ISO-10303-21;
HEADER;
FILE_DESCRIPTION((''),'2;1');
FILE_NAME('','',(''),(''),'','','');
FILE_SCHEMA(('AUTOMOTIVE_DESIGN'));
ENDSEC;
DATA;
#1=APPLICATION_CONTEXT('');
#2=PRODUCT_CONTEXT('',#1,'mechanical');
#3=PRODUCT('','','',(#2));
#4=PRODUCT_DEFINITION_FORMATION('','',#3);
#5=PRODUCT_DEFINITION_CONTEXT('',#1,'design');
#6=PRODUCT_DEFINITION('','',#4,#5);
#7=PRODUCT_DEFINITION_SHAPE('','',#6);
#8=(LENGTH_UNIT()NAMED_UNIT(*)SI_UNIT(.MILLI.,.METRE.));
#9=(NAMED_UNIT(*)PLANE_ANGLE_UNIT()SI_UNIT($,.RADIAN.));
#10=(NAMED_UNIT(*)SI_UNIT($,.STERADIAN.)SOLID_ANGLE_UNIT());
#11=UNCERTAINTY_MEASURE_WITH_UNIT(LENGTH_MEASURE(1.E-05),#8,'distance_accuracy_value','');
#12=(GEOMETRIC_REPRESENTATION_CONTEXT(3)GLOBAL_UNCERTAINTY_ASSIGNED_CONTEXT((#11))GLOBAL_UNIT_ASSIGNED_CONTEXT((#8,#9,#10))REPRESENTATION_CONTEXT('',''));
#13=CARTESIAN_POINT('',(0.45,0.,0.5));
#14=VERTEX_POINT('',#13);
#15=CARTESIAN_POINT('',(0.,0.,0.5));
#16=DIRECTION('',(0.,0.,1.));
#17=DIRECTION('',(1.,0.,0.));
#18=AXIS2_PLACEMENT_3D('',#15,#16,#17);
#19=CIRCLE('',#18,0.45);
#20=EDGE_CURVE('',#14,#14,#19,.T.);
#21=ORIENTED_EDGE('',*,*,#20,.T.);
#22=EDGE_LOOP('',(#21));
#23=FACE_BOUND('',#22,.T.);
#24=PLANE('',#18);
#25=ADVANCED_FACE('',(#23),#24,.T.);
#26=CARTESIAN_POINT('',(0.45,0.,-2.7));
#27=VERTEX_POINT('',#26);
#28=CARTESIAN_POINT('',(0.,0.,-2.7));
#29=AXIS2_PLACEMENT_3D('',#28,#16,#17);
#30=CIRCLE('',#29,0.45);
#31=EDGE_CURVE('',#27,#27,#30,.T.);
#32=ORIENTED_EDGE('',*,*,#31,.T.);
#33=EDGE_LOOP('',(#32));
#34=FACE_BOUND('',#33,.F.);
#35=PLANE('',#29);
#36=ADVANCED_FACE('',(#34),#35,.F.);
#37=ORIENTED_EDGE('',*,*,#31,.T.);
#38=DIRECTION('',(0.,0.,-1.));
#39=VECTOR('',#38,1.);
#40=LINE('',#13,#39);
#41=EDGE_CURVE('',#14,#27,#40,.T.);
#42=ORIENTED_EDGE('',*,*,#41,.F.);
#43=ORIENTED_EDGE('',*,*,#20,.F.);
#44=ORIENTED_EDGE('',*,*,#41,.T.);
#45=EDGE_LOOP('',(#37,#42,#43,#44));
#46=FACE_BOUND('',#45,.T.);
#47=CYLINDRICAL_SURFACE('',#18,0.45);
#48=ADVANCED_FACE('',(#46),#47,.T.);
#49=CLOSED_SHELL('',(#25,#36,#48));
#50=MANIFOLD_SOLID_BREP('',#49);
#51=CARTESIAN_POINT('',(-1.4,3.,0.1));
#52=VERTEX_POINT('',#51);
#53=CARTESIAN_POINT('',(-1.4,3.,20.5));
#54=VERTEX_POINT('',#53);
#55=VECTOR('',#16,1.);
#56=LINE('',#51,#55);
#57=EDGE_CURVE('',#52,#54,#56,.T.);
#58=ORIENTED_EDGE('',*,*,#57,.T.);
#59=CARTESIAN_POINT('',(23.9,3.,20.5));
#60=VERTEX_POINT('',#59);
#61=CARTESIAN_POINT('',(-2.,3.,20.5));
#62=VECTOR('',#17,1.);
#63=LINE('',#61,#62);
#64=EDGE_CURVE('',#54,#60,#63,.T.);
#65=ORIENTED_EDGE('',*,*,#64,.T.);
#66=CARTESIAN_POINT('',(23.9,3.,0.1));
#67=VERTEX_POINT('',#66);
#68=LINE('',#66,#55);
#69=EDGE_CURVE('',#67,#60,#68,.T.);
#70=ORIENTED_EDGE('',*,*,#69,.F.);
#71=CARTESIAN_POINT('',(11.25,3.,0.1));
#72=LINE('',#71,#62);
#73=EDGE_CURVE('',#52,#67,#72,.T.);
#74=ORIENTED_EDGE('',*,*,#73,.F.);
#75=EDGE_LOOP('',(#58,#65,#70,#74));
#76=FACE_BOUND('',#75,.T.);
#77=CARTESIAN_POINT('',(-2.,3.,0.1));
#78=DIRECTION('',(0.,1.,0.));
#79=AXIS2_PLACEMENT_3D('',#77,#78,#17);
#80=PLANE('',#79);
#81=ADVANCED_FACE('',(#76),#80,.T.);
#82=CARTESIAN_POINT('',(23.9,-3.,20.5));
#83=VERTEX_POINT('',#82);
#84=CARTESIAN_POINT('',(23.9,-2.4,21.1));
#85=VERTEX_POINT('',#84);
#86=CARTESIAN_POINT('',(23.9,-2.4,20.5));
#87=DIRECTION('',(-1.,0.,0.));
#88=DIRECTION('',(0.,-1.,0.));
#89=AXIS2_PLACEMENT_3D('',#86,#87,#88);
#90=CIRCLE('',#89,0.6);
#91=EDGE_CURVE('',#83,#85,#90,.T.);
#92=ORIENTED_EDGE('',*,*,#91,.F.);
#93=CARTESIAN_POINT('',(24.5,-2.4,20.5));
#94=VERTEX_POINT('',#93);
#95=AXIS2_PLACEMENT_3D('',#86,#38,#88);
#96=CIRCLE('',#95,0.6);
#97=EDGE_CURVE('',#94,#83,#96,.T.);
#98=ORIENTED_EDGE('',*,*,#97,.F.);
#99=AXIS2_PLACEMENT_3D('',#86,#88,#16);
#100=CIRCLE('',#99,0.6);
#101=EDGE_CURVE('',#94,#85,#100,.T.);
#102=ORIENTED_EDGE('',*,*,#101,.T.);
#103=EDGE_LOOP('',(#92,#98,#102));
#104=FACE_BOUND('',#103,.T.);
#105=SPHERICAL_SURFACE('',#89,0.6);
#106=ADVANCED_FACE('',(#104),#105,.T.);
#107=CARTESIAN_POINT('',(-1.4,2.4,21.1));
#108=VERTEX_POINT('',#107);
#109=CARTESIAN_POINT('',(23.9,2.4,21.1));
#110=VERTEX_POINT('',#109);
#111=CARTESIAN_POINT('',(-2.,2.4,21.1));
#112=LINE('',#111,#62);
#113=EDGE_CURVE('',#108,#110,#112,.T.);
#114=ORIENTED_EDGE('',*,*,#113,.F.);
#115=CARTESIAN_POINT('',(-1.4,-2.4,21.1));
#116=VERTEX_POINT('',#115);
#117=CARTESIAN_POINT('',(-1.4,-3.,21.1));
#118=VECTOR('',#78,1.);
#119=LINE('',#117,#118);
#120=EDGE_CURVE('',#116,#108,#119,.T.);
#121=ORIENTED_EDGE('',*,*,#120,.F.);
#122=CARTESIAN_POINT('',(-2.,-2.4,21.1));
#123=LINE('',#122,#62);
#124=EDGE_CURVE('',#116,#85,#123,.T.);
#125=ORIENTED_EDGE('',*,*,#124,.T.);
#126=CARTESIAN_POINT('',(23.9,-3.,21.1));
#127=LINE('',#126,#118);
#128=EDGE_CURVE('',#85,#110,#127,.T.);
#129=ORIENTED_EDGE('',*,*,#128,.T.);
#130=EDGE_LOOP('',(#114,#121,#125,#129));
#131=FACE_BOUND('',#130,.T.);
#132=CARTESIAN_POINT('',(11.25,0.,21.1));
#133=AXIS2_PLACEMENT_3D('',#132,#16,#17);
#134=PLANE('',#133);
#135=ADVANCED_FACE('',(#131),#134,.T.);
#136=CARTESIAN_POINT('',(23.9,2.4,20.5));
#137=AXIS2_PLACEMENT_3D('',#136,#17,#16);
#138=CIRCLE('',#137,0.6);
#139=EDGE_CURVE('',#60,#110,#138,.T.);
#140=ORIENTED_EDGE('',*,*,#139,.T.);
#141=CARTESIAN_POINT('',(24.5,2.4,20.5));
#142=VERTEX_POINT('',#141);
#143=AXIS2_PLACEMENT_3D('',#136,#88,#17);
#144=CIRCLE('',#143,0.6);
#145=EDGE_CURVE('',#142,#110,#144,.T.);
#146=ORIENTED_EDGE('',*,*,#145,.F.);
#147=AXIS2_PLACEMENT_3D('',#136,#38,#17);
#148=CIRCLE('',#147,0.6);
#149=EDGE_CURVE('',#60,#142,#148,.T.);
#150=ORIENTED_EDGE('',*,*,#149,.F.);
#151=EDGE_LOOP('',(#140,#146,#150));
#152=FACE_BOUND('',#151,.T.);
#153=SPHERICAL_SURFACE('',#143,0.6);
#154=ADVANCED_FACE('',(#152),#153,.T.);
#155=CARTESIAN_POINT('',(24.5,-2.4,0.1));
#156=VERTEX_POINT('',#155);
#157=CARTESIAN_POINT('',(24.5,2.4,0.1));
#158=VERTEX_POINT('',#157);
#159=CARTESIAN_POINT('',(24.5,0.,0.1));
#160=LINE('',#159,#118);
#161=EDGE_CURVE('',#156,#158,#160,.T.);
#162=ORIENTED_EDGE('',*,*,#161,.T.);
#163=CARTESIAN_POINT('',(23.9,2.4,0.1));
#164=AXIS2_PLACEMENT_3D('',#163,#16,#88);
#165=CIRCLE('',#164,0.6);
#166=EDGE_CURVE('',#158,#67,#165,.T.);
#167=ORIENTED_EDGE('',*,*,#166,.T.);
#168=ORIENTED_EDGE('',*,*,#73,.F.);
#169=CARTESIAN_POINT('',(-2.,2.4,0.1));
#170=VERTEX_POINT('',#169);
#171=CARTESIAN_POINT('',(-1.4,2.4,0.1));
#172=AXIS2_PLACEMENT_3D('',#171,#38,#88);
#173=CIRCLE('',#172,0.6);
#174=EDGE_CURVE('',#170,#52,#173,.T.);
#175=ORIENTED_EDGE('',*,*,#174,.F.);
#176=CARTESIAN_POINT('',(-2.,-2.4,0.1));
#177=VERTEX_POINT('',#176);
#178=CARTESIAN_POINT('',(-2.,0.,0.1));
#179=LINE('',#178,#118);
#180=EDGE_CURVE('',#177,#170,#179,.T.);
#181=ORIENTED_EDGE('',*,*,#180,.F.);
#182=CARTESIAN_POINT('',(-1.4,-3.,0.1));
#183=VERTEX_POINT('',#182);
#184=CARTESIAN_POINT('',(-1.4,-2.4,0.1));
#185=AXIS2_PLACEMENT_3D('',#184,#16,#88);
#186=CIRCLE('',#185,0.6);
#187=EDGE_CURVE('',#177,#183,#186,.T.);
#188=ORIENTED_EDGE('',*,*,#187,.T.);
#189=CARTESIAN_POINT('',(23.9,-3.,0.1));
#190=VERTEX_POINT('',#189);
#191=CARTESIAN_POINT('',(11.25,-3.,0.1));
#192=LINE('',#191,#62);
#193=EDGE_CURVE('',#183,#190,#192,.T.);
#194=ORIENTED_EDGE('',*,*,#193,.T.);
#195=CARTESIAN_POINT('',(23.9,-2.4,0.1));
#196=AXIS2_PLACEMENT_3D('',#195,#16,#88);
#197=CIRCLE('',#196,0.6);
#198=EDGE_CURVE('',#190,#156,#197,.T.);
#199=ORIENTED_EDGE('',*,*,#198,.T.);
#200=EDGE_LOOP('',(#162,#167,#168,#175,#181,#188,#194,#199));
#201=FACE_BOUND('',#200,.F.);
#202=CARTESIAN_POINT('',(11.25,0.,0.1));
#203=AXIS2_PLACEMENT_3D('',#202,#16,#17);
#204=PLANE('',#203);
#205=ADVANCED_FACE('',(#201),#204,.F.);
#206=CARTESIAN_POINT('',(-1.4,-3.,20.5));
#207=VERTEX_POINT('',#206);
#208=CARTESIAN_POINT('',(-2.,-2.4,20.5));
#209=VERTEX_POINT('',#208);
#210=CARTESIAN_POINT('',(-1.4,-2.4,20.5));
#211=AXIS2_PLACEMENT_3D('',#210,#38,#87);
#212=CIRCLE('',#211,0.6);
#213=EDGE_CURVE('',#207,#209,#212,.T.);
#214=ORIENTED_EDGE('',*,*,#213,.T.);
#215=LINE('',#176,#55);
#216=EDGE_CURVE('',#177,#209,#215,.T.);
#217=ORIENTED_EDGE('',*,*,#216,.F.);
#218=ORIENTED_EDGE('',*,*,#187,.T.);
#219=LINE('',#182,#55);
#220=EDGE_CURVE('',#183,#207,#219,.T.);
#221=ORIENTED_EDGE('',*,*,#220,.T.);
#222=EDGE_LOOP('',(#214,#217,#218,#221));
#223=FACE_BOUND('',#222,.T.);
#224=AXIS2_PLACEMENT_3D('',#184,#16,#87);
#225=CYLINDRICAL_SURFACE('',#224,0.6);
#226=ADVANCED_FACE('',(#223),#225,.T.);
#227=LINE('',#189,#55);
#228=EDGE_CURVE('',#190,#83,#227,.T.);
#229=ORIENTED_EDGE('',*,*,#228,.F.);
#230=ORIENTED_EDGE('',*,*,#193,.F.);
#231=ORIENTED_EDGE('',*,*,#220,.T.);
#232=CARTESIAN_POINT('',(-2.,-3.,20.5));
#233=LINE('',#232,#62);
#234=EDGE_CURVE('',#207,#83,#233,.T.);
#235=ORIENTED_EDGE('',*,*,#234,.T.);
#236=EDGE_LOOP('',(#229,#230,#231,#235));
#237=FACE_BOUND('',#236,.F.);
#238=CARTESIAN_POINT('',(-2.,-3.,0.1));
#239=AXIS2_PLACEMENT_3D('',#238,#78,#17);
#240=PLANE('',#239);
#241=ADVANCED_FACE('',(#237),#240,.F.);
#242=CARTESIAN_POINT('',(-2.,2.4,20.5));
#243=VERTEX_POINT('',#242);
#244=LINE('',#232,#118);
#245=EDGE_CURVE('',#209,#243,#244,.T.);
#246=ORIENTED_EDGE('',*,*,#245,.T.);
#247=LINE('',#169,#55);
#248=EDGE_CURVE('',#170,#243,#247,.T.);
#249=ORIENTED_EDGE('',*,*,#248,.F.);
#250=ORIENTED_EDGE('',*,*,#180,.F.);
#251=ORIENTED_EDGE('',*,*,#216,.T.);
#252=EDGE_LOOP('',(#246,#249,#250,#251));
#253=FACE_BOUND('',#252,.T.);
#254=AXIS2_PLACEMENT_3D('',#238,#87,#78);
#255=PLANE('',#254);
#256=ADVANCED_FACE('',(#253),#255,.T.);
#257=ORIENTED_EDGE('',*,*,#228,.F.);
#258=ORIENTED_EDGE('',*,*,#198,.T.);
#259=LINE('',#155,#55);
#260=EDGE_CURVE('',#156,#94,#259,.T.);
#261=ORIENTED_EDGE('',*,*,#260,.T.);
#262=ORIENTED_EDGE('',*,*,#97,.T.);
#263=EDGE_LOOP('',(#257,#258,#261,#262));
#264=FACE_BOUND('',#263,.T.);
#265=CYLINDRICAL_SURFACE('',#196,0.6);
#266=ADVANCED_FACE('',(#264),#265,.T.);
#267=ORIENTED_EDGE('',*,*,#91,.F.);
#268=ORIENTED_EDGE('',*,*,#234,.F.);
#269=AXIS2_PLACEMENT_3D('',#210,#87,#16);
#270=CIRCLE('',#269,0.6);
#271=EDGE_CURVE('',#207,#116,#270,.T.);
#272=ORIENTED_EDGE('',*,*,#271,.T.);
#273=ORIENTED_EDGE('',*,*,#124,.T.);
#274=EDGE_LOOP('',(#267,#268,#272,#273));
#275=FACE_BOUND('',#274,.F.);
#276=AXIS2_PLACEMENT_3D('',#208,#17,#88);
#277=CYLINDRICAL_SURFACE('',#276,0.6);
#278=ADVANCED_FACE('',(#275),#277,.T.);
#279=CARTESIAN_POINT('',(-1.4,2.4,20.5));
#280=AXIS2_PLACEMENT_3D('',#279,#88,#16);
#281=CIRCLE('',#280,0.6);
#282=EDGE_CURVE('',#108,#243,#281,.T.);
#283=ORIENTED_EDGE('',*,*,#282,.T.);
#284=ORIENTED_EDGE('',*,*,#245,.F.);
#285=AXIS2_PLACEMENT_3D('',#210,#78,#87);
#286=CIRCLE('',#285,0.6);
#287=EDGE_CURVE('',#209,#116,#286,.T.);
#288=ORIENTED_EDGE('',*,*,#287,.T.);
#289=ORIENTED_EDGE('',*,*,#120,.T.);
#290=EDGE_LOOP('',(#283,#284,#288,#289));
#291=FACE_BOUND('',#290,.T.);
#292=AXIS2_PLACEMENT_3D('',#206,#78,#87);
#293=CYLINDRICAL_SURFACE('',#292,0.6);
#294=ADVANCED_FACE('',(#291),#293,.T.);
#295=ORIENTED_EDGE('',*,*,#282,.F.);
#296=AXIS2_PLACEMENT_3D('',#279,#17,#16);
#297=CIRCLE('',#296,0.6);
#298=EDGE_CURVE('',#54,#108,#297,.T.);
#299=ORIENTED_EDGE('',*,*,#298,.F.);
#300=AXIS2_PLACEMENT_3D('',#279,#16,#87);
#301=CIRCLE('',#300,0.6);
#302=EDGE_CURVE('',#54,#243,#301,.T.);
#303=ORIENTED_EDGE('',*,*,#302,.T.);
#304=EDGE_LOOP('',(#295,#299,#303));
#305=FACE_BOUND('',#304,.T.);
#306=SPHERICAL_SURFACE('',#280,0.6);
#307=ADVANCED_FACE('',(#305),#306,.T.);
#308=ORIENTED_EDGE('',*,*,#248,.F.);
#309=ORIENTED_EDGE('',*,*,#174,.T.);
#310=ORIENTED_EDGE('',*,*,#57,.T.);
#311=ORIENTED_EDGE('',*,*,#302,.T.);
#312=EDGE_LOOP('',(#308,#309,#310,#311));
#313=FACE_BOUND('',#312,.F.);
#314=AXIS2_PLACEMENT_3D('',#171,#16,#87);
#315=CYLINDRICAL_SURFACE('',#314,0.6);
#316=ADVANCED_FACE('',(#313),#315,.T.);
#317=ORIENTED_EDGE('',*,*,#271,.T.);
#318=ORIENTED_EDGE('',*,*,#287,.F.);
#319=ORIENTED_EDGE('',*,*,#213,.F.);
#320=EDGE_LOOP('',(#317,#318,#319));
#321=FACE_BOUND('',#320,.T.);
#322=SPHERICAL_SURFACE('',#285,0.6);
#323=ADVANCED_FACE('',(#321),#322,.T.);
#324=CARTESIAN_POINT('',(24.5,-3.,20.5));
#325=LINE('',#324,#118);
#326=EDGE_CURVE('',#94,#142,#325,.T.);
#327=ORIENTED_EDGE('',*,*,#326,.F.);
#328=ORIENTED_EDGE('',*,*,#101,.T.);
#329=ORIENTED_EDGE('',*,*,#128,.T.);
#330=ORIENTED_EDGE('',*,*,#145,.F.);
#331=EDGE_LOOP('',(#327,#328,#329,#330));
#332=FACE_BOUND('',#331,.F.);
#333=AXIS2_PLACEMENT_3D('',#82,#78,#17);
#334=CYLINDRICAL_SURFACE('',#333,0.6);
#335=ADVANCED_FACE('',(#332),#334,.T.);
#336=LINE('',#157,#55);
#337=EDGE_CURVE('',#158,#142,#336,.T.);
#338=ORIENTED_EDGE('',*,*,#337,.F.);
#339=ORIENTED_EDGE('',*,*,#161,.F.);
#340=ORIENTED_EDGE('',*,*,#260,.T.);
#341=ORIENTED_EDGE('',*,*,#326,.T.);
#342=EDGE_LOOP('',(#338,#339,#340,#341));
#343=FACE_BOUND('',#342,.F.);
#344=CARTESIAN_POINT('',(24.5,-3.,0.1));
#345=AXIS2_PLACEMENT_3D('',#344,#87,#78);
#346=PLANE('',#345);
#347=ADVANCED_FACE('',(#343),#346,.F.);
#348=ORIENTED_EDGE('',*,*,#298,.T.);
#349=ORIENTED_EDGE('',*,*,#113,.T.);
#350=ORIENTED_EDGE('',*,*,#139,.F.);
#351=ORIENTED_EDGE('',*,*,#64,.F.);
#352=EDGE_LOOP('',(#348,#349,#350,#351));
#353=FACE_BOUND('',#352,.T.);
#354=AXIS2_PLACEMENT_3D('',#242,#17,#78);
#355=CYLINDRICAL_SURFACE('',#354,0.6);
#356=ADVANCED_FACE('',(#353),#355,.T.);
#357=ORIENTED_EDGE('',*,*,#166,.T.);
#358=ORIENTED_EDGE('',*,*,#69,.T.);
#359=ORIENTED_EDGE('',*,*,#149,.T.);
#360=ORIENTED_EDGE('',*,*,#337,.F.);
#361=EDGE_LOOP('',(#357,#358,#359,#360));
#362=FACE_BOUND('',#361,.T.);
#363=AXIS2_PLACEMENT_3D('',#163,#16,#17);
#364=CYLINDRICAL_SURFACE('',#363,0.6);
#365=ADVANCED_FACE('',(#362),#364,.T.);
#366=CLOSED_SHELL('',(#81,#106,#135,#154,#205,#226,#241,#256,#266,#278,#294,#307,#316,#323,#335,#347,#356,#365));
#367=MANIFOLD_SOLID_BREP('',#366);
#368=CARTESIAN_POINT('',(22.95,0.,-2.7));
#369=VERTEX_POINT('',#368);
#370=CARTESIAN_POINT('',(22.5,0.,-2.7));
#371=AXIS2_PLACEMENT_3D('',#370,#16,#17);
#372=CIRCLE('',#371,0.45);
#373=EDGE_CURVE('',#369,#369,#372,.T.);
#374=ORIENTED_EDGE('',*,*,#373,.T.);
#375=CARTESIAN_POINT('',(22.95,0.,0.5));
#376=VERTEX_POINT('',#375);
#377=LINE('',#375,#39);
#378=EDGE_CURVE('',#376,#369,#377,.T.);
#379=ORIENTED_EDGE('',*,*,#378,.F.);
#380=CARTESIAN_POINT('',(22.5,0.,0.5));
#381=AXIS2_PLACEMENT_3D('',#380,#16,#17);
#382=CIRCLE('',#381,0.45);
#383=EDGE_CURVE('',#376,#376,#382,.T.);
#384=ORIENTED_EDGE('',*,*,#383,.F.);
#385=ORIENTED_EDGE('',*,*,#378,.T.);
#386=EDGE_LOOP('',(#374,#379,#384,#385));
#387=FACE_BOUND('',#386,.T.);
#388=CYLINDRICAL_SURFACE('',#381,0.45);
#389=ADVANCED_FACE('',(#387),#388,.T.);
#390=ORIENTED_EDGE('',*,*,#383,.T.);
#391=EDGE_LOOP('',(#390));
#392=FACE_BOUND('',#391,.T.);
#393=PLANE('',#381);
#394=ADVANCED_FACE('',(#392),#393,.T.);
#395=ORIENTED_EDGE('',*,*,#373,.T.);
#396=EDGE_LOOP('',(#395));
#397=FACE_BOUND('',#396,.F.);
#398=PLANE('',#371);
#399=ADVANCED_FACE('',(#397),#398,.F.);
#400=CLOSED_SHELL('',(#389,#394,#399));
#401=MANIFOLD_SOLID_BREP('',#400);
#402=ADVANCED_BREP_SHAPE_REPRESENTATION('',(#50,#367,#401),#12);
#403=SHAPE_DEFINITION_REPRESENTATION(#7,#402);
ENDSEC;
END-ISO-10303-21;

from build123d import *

# Parameters (mm, degrees)
SKETCH_W     = 26.5
SKETCH_H     = 6
PAD_DEPTH    = 21
FILLET_R     = 0.6
SKETCH001_R  = 0.45
PAD001_DEPTH = 3.2


with BuildPart() as fillet_body:
    # Sketch → Pad (new body)
    with BuildSketch(Plane.XY.offset(0.1)):
        with Locations((11.25, 0)):
            Rectangle(SKETCH_W, SKETCH_H)
    extrude(amount=PAD_DEPTH)

    # Fillet
    fillet_edges = [fillet_body.edges().sort_by_distance(p)[0] for p in [
        (-2, 0, 21.1),
        (-2, -3, 10.6),
        (11.25, -3, 21.1),
        (24.5, -3, 10.6),
        (24.5, 0, 21.1),
        (24.5, 3, 10.6),
        (11.25, 3, 21.1),
        (-2, 3, 10.6),
    ]]
    fillet(fillet_edges, radius=FILLET_R)


with BuildPart() as pad001:
    # Sketch001 → Pad001 (new body)
    with BuildSketch(Plane.XY.offset(0.5)):
        Circle(SKETCH001_R)
        with Locations((22.5, 0)):
            Circle(SKETCH001_R)
    extrude(amount=-PAD001_DEPTH)


solid = Compound([fillet_body.part, pad001.part])
